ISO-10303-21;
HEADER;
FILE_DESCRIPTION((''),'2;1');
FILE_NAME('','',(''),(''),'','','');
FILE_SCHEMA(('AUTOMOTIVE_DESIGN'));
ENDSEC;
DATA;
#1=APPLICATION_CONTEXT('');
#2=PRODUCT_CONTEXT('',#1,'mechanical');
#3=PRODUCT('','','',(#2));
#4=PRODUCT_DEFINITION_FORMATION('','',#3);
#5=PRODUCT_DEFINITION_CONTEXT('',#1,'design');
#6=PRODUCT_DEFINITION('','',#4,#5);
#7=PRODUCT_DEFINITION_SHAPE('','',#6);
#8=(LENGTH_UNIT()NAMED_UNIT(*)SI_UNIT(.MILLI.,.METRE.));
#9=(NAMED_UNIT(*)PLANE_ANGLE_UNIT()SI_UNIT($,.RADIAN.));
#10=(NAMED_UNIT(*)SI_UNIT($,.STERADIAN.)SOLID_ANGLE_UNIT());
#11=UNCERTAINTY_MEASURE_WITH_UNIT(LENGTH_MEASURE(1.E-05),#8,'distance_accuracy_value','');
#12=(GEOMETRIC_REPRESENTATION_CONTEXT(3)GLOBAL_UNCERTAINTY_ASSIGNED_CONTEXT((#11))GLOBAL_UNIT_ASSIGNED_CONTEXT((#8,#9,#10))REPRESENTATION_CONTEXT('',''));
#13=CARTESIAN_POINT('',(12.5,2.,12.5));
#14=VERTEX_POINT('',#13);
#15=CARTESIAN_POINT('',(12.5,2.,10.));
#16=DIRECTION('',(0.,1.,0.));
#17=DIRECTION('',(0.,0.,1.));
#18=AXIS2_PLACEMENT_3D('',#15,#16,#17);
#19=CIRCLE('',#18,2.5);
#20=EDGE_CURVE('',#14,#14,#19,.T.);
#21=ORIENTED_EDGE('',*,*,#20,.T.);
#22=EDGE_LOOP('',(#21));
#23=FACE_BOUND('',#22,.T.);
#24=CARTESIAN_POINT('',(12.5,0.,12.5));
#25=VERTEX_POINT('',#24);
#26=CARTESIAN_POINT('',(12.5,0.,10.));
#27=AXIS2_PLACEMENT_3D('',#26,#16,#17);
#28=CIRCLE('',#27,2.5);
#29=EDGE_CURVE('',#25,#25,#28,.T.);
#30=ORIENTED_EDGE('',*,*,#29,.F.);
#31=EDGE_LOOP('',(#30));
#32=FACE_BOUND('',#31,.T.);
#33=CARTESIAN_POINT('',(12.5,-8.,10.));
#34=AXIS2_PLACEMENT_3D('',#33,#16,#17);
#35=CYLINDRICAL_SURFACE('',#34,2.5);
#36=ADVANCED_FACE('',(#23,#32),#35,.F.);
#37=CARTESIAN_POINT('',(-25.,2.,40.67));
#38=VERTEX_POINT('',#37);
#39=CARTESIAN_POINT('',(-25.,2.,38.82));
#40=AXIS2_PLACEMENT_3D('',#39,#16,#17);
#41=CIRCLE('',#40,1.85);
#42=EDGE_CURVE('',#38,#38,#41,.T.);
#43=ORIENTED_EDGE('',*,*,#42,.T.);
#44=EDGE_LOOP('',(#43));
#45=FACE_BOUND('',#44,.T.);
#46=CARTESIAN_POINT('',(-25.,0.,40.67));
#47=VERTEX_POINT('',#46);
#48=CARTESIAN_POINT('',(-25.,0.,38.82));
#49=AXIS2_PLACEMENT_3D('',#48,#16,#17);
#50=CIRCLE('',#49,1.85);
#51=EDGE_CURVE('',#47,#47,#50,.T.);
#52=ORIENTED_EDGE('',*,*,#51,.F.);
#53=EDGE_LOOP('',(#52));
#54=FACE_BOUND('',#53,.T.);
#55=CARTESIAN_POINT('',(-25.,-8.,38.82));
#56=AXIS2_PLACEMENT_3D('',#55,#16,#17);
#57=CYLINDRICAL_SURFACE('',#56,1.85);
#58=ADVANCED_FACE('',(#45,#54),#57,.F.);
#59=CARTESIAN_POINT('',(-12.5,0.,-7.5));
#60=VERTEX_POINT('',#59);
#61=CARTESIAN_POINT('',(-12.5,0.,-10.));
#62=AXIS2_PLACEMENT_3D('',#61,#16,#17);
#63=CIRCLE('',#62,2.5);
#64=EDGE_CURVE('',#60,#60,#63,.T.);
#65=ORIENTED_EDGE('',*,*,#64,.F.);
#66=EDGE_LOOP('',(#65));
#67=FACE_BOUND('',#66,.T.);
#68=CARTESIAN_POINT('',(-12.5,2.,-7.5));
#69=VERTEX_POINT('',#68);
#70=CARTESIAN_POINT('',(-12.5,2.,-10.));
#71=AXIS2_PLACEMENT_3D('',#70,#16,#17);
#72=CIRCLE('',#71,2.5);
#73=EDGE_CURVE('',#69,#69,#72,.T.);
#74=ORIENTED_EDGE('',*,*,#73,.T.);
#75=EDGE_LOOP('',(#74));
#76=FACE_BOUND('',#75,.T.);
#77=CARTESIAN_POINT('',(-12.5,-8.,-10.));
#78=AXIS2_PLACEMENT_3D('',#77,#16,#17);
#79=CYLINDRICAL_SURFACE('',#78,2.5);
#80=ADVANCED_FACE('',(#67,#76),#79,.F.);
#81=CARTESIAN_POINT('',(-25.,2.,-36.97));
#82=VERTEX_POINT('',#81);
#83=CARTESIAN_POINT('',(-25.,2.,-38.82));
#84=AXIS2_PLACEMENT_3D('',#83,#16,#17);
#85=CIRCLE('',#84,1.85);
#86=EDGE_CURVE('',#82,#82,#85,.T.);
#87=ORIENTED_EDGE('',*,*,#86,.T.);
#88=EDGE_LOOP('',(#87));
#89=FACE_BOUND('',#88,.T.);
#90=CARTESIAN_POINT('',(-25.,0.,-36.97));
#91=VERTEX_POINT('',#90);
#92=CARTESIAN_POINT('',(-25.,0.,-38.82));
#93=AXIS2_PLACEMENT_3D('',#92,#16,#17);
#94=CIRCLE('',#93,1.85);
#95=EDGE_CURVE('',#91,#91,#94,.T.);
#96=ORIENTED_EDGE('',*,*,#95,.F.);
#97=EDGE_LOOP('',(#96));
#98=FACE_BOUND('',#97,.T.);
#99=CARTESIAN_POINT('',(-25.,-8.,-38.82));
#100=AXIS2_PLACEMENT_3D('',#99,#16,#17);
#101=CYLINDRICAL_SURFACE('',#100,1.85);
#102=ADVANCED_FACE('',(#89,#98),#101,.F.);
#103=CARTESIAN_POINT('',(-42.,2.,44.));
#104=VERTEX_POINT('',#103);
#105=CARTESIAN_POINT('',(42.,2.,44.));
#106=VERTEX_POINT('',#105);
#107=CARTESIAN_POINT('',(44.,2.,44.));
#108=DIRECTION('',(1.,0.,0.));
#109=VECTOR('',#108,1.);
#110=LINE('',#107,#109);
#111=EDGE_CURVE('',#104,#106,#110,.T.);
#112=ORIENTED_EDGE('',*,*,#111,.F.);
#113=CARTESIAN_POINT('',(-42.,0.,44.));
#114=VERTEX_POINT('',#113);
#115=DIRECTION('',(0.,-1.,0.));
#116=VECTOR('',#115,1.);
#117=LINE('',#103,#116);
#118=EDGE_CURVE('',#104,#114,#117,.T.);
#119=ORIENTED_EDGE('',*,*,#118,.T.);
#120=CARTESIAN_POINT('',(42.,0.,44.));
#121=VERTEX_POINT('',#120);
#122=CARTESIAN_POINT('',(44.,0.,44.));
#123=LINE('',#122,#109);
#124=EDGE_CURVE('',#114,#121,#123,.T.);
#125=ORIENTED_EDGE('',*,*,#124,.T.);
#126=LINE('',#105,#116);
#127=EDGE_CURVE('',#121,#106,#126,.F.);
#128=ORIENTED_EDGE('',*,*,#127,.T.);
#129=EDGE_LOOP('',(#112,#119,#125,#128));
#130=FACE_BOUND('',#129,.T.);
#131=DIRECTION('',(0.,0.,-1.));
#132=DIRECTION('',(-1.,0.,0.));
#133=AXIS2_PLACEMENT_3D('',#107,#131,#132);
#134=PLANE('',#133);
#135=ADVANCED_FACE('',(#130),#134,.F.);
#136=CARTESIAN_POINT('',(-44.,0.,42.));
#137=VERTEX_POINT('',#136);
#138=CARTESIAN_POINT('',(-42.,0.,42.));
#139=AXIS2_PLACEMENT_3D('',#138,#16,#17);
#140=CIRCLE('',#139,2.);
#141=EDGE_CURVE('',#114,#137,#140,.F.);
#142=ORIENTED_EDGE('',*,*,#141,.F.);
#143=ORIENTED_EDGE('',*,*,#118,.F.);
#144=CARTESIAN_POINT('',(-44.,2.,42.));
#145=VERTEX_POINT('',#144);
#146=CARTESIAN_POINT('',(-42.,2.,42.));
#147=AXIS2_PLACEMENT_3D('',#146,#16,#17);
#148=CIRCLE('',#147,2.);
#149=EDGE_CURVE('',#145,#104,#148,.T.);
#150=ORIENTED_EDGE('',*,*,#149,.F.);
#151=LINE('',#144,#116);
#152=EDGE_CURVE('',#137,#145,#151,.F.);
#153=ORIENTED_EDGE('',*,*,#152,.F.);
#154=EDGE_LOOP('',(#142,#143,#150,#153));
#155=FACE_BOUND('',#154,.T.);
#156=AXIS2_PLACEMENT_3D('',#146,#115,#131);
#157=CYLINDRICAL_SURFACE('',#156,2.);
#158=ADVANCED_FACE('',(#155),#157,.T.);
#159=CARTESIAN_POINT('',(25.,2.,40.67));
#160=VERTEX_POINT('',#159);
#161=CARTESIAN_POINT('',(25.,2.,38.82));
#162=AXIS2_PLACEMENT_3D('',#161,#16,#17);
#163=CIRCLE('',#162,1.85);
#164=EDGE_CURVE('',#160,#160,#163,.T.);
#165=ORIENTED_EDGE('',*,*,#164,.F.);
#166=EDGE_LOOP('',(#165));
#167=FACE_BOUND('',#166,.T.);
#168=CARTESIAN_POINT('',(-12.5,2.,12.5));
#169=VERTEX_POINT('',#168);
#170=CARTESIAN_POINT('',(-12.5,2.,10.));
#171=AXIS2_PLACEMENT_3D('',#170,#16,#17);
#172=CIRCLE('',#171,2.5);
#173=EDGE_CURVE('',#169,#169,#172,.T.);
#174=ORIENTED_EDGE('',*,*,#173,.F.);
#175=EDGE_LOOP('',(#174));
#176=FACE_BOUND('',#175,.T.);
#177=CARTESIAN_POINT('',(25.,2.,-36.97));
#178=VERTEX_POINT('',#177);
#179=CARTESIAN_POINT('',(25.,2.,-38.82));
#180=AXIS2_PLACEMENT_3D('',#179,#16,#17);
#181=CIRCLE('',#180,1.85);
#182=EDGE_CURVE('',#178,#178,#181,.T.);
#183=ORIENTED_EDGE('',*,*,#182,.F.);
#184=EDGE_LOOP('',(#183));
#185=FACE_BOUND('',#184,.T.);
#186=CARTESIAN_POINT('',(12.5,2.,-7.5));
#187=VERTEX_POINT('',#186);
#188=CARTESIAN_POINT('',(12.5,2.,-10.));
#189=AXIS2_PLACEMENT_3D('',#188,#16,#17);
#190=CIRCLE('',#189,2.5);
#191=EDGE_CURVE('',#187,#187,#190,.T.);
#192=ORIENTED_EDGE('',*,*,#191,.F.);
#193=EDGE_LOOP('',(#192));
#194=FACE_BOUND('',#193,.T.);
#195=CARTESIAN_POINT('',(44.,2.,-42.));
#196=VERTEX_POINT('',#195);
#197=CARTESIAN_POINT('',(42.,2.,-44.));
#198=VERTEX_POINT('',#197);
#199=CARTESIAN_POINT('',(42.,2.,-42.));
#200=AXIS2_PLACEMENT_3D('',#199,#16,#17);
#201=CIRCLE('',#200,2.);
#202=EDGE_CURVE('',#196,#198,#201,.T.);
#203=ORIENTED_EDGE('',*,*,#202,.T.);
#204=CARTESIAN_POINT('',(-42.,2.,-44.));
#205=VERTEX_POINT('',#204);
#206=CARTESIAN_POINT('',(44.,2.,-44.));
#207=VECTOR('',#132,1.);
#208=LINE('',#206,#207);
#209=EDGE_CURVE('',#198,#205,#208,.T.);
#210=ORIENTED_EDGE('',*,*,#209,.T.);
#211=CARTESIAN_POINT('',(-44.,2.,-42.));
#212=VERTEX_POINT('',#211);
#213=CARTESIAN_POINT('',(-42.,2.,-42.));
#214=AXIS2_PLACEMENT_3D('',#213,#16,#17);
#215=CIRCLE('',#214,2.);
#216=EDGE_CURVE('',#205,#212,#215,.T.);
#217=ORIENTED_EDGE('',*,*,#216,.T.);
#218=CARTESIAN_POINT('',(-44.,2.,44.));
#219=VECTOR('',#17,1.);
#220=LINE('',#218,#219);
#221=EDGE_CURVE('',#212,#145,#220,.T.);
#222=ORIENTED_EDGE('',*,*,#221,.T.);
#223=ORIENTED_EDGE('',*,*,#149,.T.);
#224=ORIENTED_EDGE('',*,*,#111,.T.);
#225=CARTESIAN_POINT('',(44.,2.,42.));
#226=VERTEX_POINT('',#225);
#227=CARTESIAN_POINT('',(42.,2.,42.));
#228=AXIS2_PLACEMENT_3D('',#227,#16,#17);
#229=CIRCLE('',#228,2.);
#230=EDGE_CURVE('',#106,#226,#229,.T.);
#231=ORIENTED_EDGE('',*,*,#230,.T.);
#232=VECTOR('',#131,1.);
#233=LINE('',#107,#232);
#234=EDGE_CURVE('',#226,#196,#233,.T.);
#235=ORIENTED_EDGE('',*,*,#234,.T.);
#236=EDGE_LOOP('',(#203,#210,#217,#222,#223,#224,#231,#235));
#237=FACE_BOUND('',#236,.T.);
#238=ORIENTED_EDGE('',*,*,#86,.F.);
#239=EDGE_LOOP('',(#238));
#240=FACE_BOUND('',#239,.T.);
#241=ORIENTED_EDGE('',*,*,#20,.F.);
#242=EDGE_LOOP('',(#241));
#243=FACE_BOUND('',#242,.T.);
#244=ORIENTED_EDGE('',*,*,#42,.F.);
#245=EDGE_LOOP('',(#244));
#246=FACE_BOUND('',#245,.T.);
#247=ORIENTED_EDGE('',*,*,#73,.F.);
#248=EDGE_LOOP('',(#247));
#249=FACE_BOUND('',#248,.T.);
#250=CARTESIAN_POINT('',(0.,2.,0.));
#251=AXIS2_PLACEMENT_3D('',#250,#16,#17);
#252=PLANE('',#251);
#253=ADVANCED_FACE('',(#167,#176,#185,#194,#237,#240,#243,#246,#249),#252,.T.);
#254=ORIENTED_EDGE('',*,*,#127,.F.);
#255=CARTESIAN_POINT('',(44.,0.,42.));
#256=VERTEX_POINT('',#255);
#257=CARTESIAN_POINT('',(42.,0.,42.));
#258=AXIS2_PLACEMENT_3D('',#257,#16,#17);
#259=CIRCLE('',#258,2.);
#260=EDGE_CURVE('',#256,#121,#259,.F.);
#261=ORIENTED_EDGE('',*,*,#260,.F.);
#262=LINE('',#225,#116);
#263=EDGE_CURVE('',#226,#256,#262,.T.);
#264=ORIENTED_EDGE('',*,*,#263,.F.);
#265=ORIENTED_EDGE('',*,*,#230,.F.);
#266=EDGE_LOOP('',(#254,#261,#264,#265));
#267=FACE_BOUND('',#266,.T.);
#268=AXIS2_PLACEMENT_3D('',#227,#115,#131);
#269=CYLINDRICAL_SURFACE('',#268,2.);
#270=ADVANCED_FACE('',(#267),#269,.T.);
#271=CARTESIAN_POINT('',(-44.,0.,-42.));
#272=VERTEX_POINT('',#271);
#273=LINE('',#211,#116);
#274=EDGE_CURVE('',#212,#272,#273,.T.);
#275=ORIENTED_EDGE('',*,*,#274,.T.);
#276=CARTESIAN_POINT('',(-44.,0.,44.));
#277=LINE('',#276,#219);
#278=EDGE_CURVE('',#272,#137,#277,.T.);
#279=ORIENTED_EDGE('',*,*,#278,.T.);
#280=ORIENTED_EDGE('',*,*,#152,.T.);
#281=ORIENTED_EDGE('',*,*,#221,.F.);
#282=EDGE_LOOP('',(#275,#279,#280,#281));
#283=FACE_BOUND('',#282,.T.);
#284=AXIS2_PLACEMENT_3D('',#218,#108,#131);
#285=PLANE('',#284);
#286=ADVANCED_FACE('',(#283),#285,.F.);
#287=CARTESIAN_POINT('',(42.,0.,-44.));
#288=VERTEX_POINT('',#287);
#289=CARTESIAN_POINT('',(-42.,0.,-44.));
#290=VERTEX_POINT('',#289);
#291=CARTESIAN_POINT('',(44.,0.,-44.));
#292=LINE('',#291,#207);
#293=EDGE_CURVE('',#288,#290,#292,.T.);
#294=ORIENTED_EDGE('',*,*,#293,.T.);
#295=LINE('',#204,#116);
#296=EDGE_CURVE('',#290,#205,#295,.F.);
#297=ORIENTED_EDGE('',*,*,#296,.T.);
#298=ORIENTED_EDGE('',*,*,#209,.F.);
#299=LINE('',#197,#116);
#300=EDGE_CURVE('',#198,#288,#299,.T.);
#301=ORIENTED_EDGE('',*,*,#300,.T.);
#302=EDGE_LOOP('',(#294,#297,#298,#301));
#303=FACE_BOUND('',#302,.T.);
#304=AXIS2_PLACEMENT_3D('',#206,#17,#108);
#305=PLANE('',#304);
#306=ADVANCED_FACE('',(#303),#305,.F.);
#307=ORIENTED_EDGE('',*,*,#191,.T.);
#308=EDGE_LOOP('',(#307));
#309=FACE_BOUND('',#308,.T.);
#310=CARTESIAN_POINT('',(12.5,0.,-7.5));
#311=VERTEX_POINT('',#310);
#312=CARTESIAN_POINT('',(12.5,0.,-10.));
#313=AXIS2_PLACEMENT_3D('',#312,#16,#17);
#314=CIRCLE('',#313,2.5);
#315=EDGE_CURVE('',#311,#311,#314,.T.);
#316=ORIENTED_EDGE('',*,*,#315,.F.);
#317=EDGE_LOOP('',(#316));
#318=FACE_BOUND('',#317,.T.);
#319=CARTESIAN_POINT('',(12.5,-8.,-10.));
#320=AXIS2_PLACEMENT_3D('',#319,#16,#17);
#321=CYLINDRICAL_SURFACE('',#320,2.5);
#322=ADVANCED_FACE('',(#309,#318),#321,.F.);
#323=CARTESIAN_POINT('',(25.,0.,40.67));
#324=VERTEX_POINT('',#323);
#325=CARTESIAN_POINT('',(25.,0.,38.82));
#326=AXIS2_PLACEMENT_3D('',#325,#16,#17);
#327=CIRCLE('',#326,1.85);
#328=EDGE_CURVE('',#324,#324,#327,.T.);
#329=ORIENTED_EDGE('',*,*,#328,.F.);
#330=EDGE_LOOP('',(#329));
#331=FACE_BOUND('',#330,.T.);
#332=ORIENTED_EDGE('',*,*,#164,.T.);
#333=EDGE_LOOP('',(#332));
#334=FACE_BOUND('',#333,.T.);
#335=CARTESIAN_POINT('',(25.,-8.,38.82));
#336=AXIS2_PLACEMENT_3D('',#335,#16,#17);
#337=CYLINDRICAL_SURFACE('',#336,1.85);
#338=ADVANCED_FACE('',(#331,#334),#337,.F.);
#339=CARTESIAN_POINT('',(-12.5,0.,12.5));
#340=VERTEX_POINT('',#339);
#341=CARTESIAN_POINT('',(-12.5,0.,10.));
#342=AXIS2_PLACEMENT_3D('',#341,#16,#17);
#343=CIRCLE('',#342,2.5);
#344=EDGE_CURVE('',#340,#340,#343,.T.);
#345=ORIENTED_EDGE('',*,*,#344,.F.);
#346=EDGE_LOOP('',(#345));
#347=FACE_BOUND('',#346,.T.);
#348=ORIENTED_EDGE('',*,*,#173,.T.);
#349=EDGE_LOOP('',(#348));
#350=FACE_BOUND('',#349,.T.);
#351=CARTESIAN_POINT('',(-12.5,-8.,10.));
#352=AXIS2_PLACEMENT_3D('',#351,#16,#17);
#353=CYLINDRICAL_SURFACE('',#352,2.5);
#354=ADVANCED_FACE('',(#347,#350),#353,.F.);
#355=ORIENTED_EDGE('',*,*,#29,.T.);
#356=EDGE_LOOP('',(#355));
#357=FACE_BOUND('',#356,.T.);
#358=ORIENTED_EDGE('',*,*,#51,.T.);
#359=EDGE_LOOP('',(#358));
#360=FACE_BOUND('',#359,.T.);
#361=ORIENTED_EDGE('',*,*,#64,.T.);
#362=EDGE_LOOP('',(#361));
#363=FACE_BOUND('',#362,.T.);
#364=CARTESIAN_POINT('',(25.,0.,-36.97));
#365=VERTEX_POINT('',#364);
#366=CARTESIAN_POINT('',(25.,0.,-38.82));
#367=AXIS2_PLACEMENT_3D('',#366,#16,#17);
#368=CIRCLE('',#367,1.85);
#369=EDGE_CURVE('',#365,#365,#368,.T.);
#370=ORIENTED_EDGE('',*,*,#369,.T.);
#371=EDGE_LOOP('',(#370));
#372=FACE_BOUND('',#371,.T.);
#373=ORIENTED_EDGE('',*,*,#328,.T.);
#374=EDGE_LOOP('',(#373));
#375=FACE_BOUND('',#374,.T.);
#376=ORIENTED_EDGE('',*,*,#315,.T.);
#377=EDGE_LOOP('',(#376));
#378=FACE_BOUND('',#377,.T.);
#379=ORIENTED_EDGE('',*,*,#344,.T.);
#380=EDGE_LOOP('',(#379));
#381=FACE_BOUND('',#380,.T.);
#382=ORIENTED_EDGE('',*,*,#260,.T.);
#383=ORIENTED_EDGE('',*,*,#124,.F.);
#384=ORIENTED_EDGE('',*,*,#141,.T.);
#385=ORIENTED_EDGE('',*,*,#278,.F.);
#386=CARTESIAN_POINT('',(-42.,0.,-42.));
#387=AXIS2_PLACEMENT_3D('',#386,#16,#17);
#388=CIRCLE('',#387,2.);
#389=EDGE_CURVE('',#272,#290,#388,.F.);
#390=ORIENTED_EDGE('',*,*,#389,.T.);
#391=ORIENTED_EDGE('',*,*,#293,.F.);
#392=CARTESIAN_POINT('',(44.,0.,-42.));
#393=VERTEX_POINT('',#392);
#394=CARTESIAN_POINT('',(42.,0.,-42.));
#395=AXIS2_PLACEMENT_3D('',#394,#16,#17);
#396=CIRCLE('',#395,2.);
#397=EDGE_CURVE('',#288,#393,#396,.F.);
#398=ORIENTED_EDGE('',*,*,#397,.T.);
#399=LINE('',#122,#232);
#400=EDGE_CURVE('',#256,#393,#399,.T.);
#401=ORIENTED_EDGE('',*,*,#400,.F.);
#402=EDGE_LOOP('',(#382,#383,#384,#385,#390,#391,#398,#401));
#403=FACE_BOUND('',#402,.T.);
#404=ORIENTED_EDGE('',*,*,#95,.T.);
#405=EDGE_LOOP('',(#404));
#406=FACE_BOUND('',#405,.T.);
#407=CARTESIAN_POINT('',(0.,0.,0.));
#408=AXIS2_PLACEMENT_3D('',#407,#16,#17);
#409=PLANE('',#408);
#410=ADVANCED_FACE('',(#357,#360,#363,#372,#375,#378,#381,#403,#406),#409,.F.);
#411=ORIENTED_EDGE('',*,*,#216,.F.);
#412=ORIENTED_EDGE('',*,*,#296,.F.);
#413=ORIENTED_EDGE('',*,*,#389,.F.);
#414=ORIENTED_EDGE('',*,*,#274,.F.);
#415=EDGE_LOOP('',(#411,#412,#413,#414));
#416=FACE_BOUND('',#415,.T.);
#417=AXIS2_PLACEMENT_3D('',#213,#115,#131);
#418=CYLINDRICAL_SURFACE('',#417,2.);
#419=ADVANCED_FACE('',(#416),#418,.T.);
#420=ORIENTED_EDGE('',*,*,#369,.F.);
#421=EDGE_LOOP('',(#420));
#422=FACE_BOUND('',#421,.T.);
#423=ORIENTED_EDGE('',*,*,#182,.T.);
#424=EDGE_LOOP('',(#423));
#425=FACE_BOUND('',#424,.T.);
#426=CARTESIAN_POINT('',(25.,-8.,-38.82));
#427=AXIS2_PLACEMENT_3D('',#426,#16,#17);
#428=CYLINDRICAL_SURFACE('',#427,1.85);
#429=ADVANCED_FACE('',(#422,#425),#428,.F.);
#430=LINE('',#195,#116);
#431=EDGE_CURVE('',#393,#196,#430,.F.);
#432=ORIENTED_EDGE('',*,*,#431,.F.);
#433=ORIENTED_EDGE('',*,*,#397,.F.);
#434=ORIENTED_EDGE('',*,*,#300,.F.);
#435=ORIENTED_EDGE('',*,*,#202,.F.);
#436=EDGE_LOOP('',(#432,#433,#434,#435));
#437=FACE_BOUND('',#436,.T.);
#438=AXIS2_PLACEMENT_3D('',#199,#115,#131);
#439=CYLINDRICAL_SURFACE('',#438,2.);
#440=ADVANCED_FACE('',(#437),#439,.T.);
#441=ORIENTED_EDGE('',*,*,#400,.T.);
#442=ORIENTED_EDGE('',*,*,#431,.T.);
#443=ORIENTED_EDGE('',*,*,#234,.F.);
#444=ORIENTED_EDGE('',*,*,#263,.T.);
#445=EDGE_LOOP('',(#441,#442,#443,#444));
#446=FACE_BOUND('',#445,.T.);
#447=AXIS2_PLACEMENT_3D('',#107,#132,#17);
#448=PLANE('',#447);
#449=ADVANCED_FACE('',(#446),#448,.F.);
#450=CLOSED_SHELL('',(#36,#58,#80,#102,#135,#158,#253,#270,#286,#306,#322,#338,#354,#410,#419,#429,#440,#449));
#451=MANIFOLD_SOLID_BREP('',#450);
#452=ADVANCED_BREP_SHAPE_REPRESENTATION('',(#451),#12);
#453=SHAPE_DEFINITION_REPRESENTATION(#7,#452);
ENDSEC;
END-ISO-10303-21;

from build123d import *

# Parameters (mm, degrees)
SKETCH1_W           = 88
SKETCH1_H           = 88
BOSS_EXTRUDE1_DEPTH = 2
FILLET1_R           = 2
SKETCH3_R           = 1.85
CUT_EXTRUDE1_DEPTH  = 10
SKETCH4_R           = 2.5
CUT_EXTRUDE2_DEPTH  = 10


with BuildPart() as part:
    # Sketch1 → Boss-Extrude1 (new body)
    with BuildSketch(Plane(origin=(0, 0, 0), x_dir=(1, 0, 0), z_dir=(0, 1, 0))):
        Rectangle(SKETCH1_W, SKETCH1_H)
    extrude(amount=BOSS_EXTRUDE1_DEPTH)

    # Fillet1
    fillet1_edges = [part.edges().sort_by_distance(p)[0] for p in [
        (-44, 1, -44),
        (44, 1, -44),
        (44, 1, 44),
        (-44, 1, 44),
    ]]
    fillet(fillet1_edges, radius=FILLET1_R)

    # Sketch3 → Cut-Extrude1 (cut)
    with BuildSketch(Plane(origin=(0, 2, 0), x_dir=(1, 0, 0), z_dir=(0, 1, 0))):
        with Locations(Location((-25, 38.82, 0), (0, 0, 270))):
            Circle(SKETCH3_R)
        with Locations(Location((25, 38.82, 0), (0, 0, 270))):
            Circle(SKETCH3_R)
        with Locations(Location((-25, -38.82, 0), (0, 0, 270))):
            Circle(SKETCH3_R)
        with Locations(Location((25, -38.82, 0), (0, 0, 270))):
            Circle(SKETCH3_R)
    extrude(amount=-CUT_EXTRUDE1_DEPTH, mode=Mode.SUBTRACT)

    # Sketch4 → Cut-Extrude2 (cut)
    with BuildSketch(Plane(origin=(0, 2, 0), x_dir=(1, 0, 0), z_dir=(0, 1, 0))):
        with Locations(Location((-12.5, 10, 0), (0, 0, 270))):
            Circle(SKETCH4_R)
        with Locations(Location((-12.5, -10, 0), (0, 0, 270))):
            Circle(SKETCH4_R)
        with Locations(Location((12.5, -10, 0), (0, 0, 270))):
            Circle(SKETCH4_R)
        with Locations(Location((12.5, 10, 0), (0, 0, 270))):
            Circle(SKETCH4_R)
    extrude(amount=-CUT_EXTRUDE2_DEPTH, mode=Mode.SUBTRACT)


solid = part.part
